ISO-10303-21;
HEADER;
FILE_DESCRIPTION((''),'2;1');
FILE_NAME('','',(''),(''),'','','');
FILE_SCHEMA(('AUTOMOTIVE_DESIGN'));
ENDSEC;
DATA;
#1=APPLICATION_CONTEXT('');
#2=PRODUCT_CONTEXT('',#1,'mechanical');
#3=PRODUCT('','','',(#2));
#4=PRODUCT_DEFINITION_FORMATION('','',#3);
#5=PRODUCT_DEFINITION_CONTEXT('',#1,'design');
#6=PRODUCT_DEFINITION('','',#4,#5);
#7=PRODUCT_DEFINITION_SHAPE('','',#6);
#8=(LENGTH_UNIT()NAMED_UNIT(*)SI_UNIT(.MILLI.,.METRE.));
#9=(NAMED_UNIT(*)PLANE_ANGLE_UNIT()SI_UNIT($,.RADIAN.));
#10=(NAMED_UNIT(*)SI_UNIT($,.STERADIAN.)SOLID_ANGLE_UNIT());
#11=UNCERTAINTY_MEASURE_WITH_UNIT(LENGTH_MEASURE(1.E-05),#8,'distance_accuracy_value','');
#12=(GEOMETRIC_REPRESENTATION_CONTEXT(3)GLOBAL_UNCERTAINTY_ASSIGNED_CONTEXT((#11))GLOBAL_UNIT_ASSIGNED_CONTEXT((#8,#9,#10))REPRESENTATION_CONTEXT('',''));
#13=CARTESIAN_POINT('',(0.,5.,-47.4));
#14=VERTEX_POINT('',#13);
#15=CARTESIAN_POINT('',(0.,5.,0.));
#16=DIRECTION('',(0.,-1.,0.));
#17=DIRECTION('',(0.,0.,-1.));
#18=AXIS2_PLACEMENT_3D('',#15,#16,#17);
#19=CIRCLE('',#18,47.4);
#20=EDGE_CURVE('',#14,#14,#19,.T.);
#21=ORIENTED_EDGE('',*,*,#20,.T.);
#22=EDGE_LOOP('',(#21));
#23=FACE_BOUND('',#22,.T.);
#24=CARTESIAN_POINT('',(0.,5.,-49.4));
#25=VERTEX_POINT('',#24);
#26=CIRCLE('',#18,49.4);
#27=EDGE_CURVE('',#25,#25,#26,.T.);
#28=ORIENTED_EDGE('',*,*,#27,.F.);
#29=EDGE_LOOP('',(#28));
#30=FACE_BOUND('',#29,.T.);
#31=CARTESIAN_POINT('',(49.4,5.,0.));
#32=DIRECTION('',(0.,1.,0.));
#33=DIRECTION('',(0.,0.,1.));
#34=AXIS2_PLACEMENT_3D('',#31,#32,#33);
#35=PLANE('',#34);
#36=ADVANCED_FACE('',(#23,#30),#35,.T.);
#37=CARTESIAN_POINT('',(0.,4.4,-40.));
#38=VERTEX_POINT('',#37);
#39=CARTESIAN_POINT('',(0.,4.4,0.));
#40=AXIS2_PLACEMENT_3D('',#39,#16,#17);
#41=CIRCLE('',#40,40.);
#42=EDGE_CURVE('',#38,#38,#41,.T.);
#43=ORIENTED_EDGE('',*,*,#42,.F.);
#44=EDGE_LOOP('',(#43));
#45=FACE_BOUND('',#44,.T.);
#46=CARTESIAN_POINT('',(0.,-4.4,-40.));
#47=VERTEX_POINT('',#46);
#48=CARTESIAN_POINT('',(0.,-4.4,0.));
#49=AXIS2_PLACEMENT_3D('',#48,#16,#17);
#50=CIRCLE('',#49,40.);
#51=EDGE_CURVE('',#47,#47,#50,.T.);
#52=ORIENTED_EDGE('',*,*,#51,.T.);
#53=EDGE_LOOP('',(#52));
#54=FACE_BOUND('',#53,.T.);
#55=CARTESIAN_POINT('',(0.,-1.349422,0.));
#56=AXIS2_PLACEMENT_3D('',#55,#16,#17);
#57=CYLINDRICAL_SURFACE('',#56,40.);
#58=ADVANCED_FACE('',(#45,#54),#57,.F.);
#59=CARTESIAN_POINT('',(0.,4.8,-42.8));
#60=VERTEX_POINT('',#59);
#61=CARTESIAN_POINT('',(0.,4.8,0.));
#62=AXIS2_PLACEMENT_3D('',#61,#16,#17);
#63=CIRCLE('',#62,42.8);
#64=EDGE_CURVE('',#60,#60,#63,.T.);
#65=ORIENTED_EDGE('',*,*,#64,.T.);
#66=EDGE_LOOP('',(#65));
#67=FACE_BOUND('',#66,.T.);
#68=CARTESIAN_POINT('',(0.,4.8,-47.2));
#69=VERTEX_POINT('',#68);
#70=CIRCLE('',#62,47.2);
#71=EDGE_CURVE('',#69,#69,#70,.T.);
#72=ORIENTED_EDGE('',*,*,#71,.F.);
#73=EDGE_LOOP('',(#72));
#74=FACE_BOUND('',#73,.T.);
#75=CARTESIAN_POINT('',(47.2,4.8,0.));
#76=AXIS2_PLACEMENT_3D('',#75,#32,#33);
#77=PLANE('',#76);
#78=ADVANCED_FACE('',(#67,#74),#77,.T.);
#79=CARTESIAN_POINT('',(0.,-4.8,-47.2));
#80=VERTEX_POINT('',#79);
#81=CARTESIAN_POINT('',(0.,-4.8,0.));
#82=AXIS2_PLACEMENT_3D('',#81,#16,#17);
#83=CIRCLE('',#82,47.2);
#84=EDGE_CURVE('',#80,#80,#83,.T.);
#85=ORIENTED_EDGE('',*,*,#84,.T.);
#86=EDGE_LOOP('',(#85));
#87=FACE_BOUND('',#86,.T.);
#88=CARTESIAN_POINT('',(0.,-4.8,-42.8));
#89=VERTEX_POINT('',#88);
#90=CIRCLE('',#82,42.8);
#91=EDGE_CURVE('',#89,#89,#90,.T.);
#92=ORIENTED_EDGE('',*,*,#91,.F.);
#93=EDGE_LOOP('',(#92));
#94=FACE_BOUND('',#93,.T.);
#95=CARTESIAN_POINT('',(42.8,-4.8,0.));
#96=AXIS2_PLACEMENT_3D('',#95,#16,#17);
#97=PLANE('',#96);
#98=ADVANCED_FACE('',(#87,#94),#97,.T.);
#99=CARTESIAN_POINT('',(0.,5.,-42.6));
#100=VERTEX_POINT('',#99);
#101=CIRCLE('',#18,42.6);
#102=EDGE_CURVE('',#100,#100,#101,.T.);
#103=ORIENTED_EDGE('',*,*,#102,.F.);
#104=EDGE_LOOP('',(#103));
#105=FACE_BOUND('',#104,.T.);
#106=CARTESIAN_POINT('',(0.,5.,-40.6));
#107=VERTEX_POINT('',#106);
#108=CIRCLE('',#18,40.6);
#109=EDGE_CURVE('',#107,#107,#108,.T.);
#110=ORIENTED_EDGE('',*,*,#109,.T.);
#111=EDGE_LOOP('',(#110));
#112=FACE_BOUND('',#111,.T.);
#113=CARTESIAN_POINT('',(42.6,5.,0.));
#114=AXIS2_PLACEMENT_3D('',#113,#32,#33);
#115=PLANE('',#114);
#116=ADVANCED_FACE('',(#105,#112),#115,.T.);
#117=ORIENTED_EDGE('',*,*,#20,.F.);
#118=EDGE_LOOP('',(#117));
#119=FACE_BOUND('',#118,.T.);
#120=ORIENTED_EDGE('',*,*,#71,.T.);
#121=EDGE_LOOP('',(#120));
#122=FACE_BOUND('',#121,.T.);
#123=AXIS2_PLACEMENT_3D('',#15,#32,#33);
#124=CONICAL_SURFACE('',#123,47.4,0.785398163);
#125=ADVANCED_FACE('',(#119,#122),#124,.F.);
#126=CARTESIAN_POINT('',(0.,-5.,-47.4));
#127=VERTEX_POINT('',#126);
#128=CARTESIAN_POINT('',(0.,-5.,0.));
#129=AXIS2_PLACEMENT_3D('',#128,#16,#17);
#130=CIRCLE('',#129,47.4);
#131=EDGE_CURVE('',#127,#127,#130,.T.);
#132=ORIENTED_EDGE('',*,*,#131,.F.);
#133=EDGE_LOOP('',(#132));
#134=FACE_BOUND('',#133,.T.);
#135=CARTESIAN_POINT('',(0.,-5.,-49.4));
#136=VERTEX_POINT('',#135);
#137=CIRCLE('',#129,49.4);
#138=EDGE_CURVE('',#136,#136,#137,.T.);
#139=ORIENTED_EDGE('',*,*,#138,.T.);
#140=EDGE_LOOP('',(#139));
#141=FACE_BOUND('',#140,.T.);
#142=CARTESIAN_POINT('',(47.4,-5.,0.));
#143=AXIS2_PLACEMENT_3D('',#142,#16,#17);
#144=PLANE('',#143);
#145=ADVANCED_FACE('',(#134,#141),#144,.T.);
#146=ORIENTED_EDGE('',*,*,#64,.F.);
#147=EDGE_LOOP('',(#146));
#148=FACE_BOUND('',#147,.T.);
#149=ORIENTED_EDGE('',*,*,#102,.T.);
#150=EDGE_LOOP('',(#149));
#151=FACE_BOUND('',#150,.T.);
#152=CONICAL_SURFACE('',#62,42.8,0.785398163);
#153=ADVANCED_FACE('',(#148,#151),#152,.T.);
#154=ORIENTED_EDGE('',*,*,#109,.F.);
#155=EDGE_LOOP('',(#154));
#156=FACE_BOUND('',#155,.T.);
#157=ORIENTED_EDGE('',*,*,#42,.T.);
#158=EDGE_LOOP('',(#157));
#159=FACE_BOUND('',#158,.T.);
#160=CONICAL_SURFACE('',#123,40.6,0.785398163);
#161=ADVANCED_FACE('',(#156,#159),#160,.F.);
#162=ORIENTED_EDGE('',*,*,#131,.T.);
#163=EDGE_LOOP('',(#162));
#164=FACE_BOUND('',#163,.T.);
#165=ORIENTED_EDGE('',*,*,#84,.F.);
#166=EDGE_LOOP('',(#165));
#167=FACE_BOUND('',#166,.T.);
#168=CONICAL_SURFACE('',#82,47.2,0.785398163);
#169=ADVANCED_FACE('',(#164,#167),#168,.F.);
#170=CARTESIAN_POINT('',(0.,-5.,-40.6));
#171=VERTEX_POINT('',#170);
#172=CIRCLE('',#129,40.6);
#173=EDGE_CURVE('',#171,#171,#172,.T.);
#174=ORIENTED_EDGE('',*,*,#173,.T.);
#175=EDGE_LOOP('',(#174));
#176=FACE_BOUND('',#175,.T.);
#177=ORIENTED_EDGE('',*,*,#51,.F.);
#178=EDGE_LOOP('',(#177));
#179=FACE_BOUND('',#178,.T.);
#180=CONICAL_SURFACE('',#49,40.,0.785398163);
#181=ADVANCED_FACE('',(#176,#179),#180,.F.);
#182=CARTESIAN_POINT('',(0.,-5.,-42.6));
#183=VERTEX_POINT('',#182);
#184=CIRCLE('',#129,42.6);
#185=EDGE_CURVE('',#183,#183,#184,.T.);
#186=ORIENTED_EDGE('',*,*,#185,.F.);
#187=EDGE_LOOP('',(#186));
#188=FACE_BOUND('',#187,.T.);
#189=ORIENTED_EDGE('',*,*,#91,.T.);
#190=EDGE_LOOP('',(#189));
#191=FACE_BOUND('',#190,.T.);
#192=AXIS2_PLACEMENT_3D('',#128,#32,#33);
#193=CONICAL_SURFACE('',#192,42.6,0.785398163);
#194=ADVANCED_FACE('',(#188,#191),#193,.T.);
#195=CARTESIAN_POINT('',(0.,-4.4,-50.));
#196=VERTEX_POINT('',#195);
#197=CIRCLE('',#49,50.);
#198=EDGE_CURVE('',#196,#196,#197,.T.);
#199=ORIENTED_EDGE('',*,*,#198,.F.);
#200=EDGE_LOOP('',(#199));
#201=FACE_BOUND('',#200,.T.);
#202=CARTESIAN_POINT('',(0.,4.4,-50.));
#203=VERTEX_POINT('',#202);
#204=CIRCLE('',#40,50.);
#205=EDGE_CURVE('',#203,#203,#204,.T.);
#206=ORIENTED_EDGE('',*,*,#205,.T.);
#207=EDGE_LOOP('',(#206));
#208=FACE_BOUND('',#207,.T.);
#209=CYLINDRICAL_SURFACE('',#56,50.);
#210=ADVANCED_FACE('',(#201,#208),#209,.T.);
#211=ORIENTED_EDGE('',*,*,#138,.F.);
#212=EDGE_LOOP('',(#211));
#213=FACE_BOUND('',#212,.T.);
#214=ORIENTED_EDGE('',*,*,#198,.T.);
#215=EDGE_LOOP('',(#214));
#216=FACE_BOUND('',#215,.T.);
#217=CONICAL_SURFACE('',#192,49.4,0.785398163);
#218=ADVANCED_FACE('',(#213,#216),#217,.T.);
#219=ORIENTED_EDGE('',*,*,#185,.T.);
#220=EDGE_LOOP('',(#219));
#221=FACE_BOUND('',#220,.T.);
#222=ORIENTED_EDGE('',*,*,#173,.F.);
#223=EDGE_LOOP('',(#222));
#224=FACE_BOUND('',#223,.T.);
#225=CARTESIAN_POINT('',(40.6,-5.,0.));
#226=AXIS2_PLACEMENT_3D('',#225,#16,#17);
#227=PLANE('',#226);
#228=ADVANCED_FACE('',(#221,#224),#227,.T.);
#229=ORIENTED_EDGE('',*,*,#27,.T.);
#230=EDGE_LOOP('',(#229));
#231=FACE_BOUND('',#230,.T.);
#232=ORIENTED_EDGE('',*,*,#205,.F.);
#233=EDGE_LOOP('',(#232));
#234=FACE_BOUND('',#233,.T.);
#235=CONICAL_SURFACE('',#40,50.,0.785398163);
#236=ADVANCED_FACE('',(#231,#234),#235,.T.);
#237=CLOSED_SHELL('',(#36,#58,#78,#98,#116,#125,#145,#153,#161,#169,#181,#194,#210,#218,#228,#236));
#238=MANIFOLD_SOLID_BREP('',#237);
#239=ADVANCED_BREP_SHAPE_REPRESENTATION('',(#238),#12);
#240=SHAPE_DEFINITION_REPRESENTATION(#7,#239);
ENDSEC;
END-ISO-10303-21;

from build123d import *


with BuildPart() as part:
    # Sketch1 → Revolve1 (revolve)
    with BuildSketch(Plane.XY):
        Polygon((40, 4.4), (40, -4.4), (40.6, -5), (42.6, -5), (42.8, -4.8), (47.2, -4.8), (47.4, -5), (49.4, -5), (50, -4.4), (50, 4.4), (49.4, 5), (47.4, 5), (47.2, 4.8), (42.8, 4.8), (42.6, 5), (40.6, 5), align=None)
    revolve(axis=Axis((0, -1.349421972, 0), (0, 1, 0)))


solid = part.part
